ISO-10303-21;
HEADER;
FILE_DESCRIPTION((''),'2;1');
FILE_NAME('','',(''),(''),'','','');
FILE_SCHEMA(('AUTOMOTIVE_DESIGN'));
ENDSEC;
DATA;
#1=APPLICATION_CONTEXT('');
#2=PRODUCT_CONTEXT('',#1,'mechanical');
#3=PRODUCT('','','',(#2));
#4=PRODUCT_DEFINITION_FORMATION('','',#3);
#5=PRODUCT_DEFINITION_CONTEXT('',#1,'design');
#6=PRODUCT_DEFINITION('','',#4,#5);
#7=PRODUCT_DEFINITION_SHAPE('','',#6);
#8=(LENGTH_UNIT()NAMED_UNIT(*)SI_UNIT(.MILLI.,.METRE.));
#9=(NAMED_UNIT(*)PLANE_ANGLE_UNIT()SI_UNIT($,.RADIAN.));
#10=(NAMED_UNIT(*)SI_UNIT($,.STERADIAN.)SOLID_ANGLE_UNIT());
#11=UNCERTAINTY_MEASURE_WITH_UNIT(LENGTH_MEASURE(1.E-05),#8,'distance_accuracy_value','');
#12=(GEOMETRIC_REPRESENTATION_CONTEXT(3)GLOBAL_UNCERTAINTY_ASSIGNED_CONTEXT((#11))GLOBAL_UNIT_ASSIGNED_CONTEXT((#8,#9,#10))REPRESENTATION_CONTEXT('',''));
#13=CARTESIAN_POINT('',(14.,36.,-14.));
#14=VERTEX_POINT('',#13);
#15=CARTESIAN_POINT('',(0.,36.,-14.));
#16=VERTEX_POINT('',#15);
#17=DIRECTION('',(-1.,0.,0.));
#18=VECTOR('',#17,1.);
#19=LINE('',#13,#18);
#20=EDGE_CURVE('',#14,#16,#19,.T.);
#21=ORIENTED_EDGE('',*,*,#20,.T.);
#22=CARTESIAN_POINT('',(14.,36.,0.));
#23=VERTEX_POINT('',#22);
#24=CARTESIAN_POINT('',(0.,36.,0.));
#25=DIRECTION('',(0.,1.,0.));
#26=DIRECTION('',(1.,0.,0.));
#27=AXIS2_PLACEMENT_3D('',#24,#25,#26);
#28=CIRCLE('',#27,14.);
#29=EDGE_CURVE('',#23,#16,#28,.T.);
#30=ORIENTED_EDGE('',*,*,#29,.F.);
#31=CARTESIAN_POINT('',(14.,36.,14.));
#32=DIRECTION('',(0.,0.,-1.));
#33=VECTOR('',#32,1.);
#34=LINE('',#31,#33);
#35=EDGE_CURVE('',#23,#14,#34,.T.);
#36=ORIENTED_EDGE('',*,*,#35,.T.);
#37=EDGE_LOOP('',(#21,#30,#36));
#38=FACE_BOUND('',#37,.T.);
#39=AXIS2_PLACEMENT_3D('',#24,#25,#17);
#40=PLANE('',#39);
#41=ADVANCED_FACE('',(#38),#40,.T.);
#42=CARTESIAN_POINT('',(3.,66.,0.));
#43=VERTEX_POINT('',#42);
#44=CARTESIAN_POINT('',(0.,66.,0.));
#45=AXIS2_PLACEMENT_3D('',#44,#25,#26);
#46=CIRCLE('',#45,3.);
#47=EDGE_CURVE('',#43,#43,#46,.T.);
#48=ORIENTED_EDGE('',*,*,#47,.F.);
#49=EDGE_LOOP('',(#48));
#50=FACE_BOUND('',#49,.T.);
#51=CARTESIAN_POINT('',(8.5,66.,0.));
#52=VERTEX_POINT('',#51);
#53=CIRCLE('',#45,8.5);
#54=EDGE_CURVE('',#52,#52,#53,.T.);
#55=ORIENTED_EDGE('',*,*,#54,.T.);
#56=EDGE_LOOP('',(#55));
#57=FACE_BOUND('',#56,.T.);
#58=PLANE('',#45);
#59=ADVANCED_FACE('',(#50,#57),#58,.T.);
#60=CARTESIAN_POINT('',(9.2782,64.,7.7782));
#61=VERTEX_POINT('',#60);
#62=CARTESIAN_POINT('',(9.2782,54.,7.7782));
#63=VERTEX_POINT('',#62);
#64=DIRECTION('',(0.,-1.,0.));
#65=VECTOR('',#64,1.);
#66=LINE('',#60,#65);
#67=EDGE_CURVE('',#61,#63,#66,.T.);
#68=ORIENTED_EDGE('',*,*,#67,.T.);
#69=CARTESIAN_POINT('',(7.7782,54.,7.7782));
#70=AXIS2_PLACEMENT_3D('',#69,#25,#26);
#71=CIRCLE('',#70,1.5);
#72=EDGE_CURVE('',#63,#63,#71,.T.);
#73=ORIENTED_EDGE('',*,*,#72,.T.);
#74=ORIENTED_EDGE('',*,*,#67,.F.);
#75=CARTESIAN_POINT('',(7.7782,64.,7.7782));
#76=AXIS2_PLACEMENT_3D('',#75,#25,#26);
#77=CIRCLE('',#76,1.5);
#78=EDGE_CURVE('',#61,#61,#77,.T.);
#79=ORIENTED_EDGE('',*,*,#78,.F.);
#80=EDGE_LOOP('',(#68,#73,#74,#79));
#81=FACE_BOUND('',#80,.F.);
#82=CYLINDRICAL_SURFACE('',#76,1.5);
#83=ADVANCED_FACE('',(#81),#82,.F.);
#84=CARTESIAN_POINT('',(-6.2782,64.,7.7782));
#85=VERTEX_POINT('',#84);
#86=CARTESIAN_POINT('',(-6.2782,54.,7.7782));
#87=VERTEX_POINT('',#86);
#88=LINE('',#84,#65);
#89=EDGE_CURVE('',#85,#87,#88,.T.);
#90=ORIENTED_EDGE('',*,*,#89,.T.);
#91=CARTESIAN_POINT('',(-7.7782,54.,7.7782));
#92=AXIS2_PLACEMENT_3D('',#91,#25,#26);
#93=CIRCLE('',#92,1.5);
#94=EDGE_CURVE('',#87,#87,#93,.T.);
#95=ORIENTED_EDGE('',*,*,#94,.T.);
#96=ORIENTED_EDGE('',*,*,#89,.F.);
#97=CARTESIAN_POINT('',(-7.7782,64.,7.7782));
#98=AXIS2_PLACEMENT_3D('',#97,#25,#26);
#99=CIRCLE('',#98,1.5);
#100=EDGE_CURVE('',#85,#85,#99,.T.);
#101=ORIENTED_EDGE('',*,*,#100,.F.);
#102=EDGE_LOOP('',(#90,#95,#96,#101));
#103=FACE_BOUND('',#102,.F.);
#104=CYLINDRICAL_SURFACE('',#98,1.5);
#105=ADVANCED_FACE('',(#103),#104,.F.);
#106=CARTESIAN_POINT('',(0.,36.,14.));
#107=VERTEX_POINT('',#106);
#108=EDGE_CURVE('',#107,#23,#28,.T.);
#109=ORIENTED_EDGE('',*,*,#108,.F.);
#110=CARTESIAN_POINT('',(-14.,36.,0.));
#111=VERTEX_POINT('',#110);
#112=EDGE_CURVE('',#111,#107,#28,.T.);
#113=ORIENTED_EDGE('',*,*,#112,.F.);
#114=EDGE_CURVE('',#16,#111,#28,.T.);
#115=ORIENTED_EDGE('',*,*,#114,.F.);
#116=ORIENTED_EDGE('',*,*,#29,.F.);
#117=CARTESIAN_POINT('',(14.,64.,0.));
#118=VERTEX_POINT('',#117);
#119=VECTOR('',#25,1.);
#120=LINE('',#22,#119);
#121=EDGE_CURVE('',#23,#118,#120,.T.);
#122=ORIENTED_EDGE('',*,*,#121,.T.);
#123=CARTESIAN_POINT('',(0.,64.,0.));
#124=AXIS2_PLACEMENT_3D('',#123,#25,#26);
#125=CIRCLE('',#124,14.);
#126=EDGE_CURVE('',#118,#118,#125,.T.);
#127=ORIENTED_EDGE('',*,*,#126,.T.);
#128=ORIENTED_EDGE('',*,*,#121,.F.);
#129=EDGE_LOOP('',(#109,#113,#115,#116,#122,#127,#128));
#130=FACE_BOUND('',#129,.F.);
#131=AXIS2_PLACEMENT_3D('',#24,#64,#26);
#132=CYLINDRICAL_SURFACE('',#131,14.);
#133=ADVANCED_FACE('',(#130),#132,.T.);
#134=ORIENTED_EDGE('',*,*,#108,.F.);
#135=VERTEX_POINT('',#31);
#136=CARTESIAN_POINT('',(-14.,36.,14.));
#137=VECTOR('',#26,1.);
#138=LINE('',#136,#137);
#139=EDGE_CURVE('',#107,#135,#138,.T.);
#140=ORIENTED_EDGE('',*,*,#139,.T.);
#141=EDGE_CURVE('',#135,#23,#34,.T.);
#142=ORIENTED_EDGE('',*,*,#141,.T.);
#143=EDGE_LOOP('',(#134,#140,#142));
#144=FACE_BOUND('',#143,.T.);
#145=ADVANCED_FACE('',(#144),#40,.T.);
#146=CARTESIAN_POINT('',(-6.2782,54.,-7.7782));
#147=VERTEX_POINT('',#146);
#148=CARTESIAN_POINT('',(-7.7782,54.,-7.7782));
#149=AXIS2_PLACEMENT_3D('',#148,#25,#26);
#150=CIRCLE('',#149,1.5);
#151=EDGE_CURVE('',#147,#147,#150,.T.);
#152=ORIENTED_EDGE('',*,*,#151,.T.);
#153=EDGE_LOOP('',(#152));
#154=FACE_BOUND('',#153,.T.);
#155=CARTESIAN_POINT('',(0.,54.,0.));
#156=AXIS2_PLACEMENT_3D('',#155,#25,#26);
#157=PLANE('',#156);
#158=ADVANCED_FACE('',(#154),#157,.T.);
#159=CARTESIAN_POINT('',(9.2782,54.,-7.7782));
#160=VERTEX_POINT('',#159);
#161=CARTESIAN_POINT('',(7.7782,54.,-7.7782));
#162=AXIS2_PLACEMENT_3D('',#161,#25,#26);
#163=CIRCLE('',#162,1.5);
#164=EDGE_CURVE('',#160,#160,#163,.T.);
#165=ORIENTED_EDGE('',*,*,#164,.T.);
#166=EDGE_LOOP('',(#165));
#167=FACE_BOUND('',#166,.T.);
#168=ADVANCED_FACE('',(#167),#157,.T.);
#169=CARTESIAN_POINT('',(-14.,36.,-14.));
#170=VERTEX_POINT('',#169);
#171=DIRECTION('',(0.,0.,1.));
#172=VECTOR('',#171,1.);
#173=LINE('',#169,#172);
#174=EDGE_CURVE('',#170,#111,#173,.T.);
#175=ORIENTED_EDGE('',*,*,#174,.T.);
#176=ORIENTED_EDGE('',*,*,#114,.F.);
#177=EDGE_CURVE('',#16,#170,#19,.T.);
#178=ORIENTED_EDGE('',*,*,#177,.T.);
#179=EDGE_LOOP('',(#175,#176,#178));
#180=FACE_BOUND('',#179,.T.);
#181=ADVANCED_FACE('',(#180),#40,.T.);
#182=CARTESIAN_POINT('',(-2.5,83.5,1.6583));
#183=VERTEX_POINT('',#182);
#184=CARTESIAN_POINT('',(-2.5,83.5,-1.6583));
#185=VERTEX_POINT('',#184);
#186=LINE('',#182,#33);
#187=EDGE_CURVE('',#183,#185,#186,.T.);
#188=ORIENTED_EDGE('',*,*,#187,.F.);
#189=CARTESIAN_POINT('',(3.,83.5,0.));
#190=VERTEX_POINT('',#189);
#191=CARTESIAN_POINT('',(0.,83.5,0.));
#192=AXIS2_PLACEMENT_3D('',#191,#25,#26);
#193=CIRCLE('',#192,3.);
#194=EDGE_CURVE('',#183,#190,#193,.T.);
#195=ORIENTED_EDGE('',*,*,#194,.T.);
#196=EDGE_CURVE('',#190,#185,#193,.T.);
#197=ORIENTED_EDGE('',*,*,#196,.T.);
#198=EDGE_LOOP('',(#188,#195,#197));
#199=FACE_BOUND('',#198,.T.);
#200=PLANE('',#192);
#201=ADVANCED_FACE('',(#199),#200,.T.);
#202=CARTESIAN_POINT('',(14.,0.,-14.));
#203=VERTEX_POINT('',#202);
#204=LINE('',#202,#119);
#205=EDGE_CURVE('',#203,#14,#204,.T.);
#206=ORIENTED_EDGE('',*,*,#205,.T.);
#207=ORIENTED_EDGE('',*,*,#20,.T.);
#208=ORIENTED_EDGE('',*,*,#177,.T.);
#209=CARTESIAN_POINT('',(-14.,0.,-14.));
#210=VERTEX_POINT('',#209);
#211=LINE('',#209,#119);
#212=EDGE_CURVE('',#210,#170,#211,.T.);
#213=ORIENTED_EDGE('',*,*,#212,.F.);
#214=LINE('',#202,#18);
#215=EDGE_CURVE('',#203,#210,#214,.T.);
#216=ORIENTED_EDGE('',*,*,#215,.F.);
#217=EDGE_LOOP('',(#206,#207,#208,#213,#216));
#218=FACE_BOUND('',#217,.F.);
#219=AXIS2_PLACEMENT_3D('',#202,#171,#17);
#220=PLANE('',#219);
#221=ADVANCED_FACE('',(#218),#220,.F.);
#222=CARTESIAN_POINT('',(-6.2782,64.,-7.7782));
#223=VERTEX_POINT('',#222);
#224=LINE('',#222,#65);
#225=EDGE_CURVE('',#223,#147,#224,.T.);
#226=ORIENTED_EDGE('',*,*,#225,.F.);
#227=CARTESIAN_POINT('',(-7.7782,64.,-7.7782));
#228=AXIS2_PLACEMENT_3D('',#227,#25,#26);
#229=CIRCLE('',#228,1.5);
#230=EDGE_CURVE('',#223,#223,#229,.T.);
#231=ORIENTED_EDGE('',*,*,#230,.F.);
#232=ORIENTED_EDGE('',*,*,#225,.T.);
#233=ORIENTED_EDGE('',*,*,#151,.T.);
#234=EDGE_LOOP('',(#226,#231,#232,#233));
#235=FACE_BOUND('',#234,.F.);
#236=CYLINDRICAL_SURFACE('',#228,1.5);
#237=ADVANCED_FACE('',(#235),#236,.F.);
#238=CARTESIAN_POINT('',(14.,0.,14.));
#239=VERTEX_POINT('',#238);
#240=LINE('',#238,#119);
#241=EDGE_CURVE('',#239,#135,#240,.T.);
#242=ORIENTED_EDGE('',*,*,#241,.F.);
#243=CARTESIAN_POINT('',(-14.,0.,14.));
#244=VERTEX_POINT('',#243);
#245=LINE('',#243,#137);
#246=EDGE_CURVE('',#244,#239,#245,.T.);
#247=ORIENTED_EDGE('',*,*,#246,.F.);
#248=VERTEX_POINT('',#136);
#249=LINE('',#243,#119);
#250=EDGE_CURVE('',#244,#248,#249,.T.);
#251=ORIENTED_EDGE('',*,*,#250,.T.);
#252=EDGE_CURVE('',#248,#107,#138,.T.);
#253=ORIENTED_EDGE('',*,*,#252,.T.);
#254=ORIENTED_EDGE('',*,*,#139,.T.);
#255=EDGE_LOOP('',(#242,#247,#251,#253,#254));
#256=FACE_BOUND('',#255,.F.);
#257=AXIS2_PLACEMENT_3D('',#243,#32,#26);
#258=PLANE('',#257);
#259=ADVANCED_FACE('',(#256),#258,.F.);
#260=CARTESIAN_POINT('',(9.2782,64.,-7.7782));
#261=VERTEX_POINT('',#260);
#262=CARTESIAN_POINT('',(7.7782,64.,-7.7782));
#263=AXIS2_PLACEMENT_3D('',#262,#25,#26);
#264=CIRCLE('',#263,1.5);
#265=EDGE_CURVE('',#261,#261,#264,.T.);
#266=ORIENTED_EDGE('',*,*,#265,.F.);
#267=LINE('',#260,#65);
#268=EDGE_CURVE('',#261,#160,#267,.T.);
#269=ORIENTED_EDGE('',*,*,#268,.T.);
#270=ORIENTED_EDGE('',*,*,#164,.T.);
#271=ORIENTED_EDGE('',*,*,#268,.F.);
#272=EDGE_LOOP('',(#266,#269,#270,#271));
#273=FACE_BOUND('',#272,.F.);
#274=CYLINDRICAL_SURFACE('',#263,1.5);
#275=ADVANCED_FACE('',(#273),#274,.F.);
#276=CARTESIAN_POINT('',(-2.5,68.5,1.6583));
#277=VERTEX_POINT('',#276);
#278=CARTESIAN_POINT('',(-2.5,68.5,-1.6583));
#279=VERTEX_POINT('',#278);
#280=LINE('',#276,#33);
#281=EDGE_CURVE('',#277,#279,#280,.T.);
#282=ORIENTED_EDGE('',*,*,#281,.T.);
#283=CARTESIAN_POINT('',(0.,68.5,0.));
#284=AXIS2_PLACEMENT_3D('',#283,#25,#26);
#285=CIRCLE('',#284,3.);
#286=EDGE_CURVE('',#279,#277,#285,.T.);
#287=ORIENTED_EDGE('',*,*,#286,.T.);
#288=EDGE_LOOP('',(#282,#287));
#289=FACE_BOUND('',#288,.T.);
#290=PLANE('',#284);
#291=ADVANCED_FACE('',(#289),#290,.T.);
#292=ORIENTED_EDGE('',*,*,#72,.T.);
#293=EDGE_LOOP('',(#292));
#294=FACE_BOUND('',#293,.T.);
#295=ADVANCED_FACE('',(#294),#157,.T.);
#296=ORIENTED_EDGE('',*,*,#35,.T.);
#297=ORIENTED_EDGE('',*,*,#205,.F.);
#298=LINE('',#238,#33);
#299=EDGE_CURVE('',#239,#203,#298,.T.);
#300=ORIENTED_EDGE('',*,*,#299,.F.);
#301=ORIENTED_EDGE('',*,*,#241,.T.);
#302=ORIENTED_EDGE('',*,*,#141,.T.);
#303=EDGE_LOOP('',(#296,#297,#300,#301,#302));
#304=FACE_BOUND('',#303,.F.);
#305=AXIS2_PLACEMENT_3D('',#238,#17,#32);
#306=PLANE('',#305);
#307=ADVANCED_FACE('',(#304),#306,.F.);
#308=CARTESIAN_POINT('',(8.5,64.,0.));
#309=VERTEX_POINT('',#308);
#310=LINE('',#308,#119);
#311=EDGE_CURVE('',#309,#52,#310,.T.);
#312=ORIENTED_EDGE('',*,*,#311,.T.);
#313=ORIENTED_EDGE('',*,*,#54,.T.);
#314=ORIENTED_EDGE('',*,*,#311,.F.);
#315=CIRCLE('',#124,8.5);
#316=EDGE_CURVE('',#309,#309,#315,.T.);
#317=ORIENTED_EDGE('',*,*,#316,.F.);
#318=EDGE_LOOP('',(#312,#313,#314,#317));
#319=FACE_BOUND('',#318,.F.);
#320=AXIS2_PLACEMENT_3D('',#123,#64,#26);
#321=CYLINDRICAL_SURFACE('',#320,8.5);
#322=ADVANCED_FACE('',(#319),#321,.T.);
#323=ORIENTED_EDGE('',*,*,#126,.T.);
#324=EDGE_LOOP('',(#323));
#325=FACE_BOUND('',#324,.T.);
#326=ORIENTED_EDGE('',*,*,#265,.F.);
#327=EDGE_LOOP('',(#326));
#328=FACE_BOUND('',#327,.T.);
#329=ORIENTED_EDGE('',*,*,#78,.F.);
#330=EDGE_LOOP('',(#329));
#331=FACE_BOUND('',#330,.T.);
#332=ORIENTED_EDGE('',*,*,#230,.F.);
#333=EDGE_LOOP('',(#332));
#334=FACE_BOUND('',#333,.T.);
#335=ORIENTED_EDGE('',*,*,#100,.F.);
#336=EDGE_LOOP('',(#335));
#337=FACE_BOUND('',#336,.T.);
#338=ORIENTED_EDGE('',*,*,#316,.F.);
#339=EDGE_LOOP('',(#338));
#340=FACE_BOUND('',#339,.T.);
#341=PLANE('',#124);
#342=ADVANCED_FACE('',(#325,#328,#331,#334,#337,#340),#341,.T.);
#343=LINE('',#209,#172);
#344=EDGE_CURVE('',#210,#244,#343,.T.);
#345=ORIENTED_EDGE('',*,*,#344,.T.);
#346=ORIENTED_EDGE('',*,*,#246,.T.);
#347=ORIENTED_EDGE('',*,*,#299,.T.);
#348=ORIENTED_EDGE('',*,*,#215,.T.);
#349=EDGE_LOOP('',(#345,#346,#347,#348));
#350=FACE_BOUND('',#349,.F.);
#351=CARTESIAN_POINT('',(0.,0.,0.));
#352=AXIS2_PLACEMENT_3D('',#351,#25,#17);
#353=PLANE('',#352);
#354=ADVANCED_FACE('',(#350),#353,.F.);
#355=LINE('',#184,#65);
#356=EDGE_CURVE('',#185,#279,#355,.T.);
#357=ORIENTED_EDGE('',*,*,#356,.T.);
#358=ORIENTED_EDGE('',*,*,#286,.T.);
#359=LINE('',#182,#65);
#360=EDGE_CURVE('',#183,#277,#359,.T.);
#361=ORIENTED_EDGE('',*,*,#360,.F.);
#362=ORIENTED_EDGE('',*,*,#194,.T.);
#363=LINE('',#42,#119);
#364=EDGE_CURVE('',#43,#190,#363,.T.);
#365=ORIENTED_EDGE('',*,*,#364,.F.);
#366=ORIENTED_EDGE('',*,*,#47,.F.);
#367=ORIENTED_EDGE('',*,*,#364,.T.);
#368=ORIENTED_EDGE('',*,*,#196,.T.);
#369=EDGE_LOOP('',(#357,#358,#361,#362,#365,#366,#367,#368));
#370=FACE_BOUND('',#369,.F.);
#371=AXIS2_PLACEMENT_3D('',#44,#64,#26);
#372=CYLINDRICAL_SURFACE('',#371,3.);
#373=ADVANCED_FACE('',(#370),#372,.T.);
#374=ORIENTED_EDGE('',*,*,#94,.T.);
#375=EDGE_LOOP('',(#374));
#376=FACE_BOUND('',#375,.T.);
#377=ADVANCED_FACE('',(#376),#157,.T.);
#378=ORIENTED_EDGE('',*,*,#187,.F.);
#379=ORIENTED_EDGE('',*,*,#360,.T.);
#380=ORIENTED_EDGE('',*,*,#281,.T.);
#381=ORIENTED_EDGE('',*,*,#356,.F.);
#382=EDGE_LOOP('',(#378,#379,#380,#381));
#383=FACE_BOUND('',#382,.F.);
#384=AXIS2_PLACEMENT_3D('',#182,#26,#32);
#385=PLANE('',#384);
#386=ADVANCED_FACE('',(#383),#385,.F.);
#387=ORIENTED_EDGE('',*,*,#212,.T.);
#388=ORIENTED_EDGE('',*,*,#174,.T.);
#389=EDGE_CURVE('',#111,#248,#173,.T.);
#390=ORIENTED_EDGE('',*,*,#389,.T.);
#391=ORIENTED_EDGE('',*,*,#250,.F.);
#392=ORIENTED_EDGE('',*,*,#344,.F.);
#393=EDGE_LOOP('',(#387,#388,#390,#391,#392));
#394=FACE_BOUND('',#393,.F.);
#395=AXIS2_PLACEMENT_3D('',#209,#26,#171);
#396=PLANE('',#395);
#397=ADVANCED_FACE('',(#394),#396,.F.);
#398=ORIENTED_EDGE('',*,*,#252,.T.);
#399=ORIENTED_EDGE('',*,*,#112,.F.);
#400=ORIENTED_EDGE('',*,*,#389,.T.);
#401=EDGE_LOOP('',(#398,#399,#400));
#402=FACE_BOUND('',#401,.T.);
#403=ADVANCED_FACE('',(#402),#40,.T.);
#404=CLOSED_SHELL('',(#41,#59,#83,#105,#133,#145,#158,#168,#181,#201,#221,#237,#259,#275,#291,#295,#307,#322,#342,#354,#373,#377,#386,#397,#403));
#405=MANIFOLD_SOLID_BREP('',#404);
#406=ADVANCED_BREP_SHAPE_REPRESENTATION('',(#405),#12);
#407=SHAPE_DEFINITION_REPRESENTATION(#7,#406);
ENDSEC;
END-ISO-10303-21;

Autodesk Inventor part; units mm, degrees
ref_plane "YZ Plane" through (0, 0, 0) normal (1, 0, 0) x (0, 1, 0)
ref_plane "XZ Plane" through (0, 0, 0) normal (0, 1, 0) x (-1, 0, 0)
ref_plane "XY Plane" through (0, 0, 0) normal (0, 0, 1) x (1, 0, 0)
sketch "草圖1" plane through (0, 0, 0) normal (0, 1, 0) x (-1, 0, 0)
  line L0 (14, 14) -> (-14, 14)
  line L1 (-14, 14) -> (-14, -14)
  line L2 (-14, -14) -> (14, -14)
  line L3 (14, -14) -> (14, 14)
  line L4 (14, 14) -> (-14, -14) construction
  line L5 (-14, 14) -> (14, -14) construction
  point P0 (0, 0)
  dimension "d0" = 28
  dimension "d1" = 28
extrude "擠出1" add sketch "草圖1" along normal blind 36
sketch "草圖2" plane through (0, 36, 0) normal (0, 1, 0) x (1, 0, 0)
  circle A0 centre (0, 0) radius 14
extrude "擠出2" add sketch "草圖2" along normal blind 28
sketch "草圖3" plane through (0, 64, 0) normal (0, 1, 0) x (1, 0, 0)
  circle A0 centre (0, 0) radius 8.5
  dimension "d6" = 17
extrude "擠出3" add sketch "草圖3" along normal blind 2
sketch "草圖4" plane through (0, 66, 0) normal (0, 1, 0) x (1, 0, 0)
  circle A0 centre (0, 0) radius 3
  dimension "d9" = 6
extrude "擠出4" add sketch "草圖4" along normal blind 17.5
sketch "草圖5" plane through (0, 83.5, 0) normal (0, 1, 0) x (1, 0, 0)
  circle A0 centre (0, 0) radius 3 projected
  line L0 (-2.5, -1.6583) -> (-2.5, 1.6583)
  point P0 (3, 0)
  dimension "d13" = 5.5
extrude "擠出5" cut sketch "草圖5" against normal blind 15 contours L0 A0 picked at (-2.6056, 0.3442)
sketch "草圖6" plane through (0, 64, 0) normal (0, 1, 0) x (1, 0, 0)
  circle A0 centre (0, 0) radius 11 construction
  line L0 (0, 0) -> (0, 11) construction
  circle A1 centre (0, 0) radius 14 projected
  line L1 (14, 14) -> (0, 14) projected
  line L2 (-14, -14) -> (0, -14) projected
  line L3 (14, 14) -> (-14, -14) construction
  circle A2 centre (7.7782, 7.7782) radius 1.5
  circle A3 centre (-7.7782, 7.7782) radius 1.5
  circle A4 centre (-7.7782, -7.7782) radius 1.5
  circle A5 centre (7.7782, -7.7782) radius 1.5
  dimension "d16" = 22
  dimension "d24" = 3
  dimension "d27" = 360
extrude "擠出6" cut sketch "草圖6" against normal blind 10 contours A2 | A3 | A4 | A5
properties part number "28stepper27"
